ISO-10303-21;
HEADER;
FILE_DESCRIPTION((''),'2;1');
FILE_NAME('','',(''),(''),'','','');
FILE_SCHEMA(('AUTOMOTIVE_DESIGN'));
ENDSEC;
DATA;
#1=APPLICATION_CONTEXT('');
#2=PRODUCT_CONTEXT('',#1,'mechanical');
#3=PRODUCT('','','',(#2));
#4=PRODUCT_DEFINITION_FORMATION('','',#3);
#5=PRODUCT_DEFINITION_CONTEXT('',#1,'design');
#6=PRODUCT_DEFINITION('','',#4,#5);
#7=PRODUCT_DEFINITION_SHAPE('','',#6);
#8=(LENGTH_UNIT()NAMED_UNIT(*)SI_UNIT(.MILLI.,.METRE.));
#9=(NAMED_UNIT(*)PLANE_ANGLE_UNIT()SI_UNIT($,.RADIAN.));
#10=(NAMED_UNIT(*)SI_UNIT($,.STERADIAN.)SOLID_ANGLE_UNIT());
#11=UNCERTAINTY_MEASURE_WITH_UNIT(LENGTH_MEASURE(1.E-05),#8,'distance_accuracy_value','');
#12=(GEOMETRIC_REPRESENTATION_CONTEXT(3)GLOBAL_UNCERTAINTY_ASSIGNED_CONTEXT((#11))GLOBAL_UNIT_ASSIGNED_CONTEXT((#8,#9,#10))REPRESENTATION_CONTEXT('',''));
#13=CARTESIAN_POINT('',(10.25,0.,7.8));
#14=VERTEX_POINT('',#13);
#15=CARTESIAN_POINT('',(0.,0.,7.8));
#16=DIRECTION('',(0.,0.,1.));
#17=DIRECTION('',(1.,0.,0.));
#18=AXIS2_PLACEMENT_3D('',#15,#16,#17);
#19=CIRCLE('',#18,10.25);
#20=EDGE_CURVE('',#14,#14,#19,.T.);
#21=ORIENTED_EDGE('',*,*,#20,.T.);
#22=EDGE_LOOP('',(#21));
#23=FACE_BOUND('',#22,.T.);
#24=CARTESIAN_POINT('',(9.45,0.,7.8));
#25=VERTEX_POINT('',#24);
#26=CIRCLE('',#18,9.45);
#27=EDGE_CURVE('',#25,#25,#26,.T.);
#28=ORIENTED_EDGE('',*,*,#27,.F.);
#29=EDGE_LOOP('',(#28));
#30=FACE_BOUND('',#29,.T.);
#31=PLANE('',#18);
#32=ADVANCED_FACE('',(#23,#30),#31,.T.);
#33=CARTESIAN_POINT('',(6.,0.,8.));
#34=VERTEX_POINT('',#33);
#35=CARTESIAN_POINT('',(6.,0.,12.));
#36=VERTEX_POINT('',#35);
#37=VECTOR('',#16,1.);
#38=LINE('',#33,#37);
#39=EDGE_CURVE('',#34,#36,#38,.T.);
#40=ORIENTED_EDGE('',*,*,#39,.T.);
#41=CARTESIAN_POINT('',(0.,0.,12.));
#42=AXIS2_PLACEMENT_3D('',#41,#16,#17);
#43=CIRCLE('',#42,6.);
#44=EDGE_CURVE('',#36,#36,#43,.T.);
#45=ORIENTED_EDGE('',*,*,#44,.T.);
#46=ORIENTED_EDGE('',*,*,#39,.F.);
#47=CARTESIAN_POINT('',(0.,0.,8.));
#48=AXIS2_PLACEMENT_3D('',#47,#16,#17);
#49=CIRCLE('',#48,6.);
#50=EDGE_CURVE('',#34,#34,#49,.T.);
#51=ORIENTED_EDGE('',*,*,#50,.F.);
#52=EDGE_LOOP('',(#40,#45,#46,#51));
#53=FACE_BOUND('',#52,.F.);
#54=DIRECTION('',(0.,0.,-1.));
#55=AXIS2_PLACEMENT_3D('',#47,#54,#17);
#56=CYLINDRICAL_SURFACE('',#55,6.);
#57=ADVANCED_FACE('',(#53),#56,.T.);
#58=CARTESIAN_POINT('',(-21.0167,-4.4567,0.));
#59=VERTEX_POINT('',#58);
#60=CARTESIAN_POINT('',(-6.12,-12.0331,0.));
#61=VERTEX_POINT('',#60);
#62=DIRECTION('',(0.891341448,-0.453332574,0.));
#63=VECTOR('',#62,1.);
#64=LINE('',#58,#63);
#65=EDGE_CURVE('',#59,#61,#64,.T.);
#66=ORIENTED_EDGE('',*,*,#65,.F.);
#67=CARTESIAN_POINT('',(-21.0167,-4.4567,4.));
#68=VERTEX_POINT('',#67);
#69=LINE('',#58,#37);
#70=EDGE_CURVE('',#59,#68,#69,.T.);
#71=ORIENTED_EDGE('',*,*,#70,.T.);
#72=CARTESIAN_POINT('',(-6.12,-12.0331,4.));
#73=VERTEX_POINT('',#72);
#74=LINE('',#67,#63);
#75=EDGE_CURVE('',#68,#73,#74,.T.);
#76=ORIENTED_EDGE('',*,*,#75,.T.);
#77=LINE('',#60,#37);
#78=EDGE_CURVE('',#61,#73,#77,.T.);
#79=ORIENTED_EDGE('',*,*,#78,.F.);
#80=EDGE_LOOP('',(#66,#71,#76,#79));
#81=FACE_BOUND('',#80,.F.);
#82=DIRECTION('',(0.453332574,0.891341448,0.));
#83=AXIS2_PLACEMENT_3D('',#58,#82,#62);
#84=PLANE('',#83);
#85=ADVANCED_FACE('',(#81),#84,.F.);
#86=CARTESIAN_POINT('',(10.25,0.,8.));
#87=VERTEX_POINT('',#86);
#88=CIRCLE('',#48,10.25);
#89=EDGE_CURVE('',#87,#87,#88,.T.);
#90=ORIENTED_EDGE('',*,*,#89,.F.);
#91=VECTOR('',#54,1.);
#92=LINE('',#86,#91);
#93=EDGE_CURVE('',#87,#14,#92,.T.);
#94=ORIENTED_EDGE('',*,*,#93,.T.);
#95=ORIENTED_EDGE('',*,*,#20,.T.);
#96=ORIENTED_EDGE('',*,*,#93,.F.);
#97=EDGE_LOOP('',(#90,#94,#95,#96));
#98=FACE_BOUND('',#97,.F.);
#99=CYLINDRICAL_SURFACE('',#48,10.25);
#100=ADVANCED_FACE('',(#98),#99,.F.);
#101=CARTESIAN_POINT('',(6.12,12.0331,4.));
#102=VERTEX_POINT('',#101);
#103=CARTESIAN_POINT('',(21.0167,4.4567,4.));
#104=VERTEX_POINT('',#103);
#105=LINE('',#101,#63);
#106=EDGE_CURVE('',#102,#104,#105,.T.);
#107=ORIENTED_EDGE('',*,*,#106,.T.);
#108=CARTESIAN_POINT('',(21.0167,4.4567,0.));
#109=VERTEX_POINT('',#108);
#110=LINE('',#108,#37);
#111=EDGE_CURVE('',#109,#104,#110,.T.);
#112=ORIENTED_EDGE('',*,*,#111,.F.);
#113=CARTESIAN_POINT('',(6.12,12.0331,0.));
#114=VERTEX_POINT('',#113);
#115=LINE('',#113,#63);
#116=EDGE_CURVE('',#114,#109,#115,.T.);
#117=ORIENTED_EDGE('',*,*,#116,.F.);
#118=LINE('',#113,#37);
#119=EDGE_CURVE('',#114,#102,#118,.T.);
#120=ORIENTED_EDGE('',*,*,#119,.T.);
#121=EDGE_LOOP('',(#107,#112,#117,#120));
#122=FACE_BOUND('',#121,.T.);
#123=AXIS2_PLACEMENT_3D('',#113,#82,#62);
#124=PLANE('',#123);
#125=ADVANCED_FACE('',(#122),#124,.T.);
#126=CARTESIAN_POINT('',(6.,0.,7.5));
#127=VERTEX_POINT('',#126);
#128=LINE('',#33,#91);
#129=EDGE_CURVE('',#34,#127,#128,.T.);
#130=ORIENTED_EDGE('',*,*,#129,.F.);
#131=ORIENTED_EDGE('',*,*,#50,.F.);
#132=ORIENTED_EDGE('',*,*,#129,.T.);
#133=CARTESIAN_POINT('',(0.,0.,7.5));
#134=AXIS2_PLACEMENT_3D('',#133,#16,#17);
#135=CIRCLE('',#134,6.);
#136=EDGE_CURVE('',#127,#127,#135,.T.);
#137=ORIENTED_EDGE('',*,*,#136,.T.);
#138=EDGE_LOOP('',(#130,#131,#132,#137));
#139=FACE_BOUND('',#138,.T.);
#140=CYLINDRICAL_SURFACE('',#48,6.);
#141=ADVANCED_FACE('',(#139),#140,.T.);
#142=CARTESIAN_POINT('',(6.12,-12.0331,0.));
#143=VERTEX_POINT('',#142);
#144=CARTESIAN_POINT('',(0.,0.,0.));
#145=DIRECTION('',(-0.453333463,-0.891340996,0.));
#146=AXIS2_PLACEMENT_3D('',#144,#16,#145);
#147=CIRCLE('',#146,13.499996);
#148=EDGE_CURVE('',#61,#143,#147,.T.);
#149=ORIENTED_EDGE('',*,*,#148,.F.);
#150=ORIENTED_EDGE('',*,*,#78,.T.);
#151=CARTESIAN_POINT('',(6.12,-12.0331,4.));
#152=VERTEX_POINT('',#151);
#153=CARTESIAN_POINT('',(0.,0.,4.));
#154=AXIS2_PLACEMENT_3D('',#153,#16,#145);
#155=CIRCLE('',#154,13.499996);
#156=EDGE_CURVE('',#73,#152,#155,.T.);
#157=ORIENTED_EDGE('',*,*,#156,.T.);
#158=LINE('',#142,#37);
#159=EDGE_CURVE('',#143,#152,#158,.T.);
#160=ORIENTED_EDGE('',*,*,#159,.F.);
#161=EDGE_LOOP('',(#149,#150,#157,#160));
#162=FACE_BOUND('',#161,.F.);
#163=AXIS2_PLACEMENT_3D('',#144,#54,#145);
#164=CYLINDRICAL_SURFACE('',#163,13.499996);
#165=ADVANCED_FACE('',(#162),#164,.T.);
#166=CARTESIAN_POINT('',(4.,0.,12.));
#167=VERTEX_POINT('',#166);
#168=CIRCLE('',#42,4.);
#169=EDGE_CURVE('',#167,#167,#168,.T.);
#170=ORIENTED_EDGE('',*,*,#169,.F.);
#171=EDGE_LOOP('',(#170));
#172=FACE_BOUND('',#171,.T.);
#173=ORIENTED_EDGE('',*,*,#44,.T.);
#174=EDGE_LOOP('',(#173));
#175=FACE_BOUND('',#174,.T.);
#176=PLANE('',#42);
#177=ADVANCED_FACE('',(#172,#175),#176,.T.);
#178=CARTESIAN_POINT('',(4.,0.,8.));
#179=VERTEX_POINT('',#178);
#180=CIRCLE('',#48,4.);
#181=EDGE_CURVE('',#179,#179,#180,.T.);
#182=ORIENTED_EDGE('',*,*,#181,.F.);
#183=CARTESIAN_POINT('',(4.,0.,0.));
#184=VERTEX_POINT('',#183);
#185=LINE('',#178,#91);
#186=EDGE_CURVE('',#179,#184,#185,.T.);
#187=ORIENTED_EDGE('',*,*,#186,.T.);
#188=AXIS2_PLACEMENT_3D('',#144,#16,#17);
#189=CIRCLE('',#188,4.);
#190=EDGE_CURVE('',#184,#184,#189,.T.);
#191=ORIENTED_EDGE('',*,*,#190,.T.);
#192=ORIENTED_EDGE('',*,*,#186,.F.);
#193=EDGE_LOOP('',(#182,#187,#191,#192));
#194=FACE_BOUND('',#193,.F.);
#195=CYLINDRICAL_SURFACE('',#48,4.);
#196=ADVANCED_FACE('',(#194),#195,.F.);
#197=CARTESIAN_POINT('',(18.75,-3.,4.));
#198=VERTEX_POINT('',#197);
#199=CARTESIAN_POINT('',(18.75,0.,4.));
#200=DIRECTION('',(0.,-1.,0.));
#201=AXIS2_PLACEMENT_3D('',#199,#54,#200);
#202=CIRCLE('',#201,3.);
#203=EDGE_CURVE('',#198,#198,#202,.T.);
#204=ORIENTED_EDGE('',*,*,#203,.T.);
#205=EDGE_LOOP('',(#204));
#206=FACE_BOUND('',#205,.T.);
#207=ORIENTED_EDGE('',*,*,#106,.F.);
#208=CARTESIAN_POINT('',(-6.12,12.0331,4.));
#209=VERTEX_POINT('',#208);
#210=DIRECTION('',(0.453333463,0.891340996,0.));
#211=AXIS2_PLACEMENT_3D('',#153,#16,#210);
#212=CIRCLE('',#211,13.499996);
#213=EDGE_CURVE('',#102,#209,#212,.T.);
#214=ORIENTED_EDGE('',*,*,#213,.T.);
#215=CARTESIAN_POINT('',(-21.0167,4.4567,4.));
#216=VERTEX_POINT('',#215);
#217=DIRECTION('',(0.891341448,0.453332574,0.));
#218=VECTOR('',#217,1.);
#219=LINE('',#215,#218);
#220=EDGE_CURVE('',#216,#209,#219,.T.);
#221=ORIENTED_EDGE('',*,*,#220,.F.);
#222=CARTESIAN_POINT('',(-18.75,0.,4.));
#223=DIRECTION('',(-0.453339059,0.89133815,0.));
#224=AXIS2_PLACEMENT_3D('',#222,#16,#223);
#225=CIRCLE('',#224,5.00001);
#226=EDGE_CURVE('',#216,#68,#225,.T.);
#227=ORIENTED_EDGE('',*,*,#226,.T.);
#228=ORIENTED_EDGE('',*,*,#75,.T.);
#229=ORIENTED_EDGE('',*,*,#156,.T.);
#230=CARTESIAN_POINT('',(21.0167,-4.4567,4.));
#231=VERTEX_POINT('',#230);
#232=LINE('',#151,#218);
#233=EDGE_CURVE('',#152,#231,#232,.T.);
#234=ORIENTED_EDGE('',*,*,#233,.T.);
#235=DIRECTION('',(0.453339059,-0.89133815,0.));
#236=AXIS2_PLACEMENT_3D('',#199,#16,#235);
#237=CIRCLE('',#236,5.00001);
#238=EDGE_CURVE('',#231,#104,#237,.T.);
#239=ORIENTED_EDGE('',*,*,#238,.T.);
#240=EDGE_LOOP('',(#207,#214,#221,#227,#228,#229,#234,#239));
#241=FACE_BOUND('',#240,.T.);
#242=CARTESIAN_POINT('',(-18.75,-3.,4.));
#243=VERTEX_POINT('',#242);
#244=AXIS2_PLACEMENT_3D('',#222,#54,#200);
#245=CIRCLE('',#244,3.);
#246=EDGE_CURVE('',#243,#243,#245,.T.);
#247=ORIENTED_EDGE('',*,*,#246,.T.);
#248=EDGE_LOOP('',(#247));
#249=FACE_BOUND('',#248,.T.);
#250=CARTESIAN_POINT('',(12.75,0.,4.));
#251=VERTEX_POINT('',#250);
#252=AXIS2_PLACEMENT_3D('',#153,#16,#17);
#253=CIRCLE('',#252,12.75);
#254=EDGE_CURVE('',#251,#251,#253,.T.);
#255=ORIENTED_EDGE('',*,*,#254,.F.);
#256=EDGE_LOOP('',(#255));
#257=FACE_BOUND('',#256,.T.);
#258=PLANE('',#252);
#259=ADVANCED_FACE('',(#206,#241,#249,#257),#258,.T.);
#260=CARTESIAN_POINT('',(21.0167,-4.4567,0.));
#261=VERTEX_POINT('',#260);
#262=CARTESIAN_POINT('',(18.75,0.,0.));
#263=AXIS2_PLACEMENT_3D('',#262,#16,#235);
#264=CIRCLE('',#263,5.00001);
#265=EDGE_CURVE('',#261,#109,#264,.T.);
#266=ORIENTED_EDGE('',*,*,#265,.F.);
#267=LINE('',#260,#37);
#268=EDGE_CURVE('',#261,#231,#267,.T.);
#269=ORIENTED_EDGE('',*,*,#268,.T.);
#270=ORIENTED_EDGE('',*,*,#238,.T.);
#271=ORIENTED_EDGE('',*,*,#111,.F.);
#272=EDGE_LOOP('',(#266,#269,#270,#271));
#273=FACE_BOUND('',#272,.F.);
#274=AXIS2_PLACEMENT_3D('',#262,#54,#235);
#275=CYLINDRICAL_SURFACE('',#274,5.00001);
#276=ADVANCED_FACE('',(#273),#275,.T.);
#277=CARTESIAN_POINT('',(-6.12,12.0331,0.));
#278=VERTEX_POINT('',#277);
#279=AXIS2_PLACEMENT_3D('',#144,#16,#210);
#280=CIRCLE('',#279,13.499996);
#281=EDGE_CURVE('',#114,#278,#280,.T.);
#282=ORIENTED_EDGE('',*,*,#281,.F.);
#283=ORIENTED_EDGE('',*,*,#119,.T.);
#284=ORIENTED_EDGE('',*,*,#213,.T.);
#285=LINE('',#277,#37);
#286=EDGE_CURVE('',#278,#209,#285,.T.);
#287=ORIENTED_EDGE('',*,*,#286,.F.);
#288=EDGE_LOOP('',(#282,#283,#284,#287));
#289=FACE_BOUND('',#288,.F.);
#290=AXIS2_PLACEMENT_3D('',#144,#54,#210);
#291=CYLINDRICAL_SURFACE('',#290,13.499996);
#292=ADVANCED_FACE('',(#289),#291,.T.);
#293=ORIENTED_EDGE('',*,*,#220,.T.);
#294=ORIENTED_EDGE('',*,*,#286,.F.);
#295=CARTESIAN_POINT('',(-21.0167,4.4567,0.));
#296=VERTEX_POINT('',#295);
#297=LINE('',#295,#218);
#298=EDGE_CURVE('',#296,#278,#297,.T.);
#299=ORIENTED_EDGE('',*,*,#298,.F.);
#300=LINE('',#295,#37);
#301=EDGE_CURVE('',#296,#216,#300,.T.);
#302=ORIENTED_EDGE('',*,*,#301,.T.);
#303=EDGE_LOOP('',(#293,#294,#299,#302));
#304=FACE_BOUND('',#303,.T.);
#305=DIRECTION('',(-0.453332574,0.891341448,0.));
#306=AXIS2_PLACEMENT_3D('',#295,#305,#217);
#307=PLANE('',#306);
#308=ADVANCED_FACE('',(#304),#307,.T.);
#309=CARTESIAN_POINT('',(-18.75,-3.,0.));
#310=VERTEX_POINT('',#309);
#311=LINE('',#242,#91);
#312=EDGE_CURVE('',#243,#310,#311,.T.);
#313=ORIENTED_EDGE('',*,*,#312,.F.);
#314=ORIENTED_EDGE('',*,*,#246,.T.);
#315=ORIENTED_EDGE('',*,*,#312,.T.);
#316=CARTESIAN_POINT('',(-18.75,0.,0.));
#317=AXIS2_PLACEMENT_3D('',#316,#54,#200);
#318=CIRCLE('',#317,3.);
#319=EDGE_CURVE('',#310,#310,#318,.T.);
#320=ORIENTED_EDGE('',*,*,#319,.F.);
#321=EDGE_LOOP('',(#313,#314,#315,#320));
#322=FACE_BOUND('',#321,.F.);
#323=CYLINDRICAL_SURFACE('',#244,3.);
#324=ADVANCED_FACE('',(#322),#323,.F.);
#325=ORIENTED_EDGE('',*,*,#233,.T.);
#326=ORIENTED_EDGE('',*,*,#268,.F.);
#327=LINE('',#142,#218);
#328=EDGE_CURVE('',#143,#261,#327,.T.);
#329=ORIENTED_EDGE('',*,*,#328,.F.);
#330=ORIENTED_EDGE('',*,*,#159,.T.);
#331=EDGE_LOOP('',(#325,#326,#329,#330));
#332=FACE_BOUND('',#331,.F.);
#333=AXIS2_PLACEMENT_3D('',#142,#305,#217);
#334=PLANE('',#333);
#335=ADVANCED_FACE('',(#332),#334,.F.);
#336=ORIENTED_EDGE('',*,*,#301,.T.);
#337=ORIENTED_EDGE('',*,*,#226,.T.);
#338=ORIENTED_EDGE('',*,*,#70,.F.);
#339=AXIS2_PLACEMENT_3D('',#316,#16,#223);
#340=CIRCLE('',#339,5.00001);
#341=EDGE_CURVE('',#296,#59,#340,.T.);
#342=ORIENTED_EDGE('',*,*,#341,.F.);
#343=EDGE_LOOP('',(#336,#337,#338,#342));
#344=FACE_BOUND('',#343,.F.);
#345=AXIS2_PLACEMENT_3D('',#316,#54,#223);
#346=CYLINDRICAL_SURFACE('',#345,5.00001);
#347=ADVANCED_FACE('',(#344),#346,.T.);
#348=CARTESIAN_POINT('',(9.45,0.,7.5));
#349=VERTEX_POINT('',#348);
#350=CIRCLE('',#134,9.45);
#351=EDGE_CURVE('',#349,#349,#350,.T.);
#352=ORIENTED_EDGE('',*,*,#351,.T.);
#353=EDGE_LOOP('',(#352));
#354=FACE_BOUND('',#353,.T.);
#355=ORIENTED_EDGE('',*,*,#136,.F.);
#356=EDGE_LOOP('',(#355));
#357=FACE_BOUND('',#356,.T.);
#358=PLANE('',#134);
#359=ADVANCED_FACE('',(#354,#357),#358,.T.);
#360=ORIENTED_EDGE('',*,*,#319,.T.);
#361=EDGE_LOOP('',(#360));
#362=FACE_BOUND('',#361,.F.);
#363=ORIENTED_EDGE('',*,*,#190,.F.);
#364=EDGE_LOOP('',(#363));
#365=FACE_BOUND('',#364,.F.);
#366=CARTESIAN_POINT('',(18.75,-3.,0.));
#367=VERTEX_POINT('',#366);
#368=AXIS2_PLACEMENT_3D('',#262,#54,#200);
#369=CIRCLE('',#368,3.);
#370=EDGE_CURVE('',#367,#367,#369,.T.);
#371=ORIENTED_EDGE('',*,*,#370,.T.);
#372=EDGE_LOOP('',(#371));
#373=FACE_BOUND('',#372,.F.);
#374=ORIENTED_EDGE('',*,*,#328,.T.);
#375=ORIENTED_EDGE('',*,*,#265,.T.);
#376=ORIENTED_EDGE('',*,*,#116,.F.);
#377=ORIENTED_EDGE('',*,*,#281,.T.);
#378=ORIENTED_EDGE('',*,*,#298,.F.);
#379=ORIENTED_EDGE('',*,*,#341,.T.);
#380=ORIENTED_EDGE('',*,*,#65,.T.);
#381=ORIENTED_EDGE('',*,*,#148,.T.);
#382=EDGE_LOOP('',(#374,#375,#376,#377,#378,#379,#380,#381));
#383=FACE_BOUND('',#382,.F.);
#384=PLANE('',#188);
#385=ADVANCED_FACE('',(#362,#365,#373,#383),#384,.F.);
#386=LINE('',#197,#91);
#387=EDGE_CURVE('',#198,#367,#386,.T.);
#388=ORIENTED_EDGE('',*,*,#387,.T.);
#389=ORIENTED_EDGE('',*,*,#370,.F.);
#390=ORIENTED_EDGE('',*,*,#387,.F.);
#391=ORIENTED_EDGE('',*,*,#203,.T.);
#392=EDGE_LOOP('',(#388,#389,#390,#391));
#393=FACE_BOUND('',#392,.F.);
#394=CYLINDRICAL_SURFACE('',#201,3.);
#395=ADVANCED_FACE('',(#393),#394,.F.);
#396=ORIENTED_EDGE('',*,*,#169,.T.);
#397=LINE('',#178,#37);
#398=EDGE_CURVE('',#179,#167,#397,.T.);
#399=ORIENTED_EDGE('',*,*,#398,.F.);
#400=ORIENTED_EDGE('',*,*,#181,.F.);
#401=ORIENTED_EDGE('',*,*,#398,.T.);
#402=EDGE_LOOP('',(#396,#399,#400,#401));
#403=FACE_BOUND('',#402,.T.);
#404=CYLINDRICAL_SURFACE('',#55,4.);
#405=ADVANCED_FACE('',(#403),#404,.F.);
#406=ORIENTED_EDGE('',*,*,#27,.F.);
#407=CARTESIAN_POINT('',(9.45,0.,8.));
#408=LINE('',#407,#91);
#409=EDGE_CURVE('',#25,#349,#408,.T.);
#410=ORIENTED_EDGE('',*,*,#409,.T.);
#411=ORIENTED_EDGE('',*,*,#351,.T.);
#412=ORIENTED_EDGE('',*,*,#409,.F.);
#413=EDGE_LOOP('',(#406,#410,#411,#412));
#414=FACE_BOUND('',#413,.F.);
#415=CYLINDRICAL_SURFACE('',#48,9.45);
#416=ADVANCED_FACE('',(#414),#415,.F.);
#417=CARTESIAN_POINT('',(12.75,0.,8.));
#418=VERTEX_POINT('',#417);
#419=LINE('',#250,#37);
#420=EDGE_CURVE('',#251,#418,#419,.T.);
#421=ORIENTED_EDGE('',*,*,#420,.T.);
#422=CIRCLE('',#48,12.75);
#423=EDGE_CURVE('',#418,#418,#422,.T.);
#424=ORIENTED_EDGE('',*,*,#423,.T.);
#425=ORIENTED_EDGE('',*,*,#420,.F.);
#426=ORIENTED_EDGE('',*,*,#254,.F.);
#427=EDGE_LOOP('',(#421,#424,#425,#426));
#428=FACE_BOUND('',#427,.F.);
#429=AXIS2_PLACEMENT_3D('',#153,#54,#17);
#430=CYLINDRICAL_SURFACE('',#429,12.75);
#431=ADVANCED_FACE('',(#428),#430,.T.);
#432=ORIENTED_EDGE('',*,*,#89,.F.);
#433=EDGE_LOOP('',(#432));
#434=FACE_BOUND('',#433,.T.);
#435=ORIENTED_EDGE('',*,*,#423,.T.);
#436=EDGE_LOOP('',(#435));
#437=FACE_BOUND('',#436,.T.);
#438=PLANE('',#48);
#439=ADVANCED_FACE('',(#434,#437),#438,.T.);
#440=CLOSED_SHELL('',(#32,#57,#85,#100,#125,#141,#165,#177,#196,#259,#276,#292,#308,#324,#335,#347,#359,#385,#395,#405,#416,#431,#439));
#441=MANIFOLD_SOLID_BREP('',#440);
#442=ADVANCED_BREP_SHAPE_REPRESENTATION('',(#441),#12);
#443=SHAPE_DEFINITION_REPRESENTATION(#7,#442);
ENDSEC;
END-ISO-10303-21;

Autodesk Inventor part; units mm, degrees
ref_plane "YZ Plane" through (0, 0, 0) normal (1, 0, 0) x (0, 1, 0)
ref_plane "XZ Plane" through (0, 0, 0) normal (0, 1, 0) x (-1, 0, 0)
ref_plane "XY Plane" through (0, 0, 0) normal (0, 0, 1) x (1, 0, 0)
sketch "Szkic1" plane through (0, 0, 0) normal (0, 0, 1) x (1, 0, 0)
  arc A0 (21.0167, -4.4567) -> (21.0167, 4.4567) centre (18.75, 0) ccw
  arc A1 (-21.0167, 4.4567) -> (-21.0167, -4.4567) centre (-18.75, 0) ccw
  line L0 (6.12, -12.0331) -> (21.0167, -4.4567)
  line L1 (6.12, 12.0331) -> (21.0167, 4.4567)
  line L2 (-21.0167, 4.4567) -> (-6.12, 12.0331)
  line L3 (-21.0167, -4.4567) -> (-6.12, -12.0331)
  arc A2 (-6.12, -12.0331) -> (6.12, -12.0331) centre (0, 0) ccw
  arc A3 (6.12, 12.0331) -> (-6.12, 12.0331) centre (0, 0) ccw
  dimension "d3" = 10
  dimension "d4" = 10
  dimension "d5" = 37.5
  dimension "d6" = 18.75
  dimension "d7" = 0
extrude "Wyciągnięcie proste1" add sketch "Szkic1" along normal blind 4
sketch "Szkic2" plane through (0, 0, 4) normal (0, 0, 1) x (1, 0, 0)
  arc A0 (-21.0167, 4.4567) -> (-21.0167, -4.4567) centre (-18.75, 0) ccw projected
  line L0 (6.12, -12.0331) -> (21.0167, -4.4567) projected
  arc A1 (21.0167, -4.4567) -> (21.0167, 4.4567) centre (18.75, 0) ccw projected
  line L1 (21.0167, 4.4567) -> (6.12, 12.0331) projected
  arc A2 (6.12, 12.0331) -> (-6.12, 12.0331) centre (0, 0) ccw projected
  line L2 (-6.12, 12.0331) -> (-21.0167, 4.4567) projected
  arc A3 (-21.0167, 4.4567) -> (-21.0167, -4.4567) centre (-18.75, 0) ccw projected
  line L3 (-21.0167, -4.4567) -> (-6.12, -12.0331) projected
  arc A4 (-6.12, -12.0331) -> (6.12, -12.0331) centre (0, 0) ccw projected
  circle A5 centre (0, 0) radius 12.75
  dimension "d10" = 25.5
extrude "Wyciągnięcie proste2" add sketch "Szkic2" along normal blind 4 contours A5
hole "Otwór1" at (18.75, 0, 4) at (-18.75, 0, 4) direction (0, 0, -1) diameter 6 end through all
sketch "Szkic3" plane through (0, 0, 8) normal (0, 0, 1) x (1, 0, 0)
  circle A0 centre (0, 0) radius 10.25
  circle A1 centre (0, 0) radius 9.45
  circle A2 centre (0, 0) radius 6
  circle A3 centre (0, 0) radius 4
  dimension "d20" = 20.5
  dimension "d21" = 0.8
  dimension "d22" = 12
  dimension "d23" = 2
extrude "Wyciągnięcie proste3" cut sketch "Szkic3" against normal blind 0.2 contours A0
extrude "Wyciągnięcie proste4" cut sketch "Szkic3" against normal blind 0.5 contours A1
extrude "Wyciągnięcie proste5" cut sketch "Szkic3" against normal up to surface (8 mm away) contours A3
extrude "Wyciągnięcie proste6" add sketch "Szkic3" along normal blind 4 contours A2
equation "\"d6\" = 0.5 * d5"
properties part number "COTS_GENERIC_8mm_Dia_Ball_Screw_Top_Bearing_Block" material "Tworzywo sztuczne LCP"
